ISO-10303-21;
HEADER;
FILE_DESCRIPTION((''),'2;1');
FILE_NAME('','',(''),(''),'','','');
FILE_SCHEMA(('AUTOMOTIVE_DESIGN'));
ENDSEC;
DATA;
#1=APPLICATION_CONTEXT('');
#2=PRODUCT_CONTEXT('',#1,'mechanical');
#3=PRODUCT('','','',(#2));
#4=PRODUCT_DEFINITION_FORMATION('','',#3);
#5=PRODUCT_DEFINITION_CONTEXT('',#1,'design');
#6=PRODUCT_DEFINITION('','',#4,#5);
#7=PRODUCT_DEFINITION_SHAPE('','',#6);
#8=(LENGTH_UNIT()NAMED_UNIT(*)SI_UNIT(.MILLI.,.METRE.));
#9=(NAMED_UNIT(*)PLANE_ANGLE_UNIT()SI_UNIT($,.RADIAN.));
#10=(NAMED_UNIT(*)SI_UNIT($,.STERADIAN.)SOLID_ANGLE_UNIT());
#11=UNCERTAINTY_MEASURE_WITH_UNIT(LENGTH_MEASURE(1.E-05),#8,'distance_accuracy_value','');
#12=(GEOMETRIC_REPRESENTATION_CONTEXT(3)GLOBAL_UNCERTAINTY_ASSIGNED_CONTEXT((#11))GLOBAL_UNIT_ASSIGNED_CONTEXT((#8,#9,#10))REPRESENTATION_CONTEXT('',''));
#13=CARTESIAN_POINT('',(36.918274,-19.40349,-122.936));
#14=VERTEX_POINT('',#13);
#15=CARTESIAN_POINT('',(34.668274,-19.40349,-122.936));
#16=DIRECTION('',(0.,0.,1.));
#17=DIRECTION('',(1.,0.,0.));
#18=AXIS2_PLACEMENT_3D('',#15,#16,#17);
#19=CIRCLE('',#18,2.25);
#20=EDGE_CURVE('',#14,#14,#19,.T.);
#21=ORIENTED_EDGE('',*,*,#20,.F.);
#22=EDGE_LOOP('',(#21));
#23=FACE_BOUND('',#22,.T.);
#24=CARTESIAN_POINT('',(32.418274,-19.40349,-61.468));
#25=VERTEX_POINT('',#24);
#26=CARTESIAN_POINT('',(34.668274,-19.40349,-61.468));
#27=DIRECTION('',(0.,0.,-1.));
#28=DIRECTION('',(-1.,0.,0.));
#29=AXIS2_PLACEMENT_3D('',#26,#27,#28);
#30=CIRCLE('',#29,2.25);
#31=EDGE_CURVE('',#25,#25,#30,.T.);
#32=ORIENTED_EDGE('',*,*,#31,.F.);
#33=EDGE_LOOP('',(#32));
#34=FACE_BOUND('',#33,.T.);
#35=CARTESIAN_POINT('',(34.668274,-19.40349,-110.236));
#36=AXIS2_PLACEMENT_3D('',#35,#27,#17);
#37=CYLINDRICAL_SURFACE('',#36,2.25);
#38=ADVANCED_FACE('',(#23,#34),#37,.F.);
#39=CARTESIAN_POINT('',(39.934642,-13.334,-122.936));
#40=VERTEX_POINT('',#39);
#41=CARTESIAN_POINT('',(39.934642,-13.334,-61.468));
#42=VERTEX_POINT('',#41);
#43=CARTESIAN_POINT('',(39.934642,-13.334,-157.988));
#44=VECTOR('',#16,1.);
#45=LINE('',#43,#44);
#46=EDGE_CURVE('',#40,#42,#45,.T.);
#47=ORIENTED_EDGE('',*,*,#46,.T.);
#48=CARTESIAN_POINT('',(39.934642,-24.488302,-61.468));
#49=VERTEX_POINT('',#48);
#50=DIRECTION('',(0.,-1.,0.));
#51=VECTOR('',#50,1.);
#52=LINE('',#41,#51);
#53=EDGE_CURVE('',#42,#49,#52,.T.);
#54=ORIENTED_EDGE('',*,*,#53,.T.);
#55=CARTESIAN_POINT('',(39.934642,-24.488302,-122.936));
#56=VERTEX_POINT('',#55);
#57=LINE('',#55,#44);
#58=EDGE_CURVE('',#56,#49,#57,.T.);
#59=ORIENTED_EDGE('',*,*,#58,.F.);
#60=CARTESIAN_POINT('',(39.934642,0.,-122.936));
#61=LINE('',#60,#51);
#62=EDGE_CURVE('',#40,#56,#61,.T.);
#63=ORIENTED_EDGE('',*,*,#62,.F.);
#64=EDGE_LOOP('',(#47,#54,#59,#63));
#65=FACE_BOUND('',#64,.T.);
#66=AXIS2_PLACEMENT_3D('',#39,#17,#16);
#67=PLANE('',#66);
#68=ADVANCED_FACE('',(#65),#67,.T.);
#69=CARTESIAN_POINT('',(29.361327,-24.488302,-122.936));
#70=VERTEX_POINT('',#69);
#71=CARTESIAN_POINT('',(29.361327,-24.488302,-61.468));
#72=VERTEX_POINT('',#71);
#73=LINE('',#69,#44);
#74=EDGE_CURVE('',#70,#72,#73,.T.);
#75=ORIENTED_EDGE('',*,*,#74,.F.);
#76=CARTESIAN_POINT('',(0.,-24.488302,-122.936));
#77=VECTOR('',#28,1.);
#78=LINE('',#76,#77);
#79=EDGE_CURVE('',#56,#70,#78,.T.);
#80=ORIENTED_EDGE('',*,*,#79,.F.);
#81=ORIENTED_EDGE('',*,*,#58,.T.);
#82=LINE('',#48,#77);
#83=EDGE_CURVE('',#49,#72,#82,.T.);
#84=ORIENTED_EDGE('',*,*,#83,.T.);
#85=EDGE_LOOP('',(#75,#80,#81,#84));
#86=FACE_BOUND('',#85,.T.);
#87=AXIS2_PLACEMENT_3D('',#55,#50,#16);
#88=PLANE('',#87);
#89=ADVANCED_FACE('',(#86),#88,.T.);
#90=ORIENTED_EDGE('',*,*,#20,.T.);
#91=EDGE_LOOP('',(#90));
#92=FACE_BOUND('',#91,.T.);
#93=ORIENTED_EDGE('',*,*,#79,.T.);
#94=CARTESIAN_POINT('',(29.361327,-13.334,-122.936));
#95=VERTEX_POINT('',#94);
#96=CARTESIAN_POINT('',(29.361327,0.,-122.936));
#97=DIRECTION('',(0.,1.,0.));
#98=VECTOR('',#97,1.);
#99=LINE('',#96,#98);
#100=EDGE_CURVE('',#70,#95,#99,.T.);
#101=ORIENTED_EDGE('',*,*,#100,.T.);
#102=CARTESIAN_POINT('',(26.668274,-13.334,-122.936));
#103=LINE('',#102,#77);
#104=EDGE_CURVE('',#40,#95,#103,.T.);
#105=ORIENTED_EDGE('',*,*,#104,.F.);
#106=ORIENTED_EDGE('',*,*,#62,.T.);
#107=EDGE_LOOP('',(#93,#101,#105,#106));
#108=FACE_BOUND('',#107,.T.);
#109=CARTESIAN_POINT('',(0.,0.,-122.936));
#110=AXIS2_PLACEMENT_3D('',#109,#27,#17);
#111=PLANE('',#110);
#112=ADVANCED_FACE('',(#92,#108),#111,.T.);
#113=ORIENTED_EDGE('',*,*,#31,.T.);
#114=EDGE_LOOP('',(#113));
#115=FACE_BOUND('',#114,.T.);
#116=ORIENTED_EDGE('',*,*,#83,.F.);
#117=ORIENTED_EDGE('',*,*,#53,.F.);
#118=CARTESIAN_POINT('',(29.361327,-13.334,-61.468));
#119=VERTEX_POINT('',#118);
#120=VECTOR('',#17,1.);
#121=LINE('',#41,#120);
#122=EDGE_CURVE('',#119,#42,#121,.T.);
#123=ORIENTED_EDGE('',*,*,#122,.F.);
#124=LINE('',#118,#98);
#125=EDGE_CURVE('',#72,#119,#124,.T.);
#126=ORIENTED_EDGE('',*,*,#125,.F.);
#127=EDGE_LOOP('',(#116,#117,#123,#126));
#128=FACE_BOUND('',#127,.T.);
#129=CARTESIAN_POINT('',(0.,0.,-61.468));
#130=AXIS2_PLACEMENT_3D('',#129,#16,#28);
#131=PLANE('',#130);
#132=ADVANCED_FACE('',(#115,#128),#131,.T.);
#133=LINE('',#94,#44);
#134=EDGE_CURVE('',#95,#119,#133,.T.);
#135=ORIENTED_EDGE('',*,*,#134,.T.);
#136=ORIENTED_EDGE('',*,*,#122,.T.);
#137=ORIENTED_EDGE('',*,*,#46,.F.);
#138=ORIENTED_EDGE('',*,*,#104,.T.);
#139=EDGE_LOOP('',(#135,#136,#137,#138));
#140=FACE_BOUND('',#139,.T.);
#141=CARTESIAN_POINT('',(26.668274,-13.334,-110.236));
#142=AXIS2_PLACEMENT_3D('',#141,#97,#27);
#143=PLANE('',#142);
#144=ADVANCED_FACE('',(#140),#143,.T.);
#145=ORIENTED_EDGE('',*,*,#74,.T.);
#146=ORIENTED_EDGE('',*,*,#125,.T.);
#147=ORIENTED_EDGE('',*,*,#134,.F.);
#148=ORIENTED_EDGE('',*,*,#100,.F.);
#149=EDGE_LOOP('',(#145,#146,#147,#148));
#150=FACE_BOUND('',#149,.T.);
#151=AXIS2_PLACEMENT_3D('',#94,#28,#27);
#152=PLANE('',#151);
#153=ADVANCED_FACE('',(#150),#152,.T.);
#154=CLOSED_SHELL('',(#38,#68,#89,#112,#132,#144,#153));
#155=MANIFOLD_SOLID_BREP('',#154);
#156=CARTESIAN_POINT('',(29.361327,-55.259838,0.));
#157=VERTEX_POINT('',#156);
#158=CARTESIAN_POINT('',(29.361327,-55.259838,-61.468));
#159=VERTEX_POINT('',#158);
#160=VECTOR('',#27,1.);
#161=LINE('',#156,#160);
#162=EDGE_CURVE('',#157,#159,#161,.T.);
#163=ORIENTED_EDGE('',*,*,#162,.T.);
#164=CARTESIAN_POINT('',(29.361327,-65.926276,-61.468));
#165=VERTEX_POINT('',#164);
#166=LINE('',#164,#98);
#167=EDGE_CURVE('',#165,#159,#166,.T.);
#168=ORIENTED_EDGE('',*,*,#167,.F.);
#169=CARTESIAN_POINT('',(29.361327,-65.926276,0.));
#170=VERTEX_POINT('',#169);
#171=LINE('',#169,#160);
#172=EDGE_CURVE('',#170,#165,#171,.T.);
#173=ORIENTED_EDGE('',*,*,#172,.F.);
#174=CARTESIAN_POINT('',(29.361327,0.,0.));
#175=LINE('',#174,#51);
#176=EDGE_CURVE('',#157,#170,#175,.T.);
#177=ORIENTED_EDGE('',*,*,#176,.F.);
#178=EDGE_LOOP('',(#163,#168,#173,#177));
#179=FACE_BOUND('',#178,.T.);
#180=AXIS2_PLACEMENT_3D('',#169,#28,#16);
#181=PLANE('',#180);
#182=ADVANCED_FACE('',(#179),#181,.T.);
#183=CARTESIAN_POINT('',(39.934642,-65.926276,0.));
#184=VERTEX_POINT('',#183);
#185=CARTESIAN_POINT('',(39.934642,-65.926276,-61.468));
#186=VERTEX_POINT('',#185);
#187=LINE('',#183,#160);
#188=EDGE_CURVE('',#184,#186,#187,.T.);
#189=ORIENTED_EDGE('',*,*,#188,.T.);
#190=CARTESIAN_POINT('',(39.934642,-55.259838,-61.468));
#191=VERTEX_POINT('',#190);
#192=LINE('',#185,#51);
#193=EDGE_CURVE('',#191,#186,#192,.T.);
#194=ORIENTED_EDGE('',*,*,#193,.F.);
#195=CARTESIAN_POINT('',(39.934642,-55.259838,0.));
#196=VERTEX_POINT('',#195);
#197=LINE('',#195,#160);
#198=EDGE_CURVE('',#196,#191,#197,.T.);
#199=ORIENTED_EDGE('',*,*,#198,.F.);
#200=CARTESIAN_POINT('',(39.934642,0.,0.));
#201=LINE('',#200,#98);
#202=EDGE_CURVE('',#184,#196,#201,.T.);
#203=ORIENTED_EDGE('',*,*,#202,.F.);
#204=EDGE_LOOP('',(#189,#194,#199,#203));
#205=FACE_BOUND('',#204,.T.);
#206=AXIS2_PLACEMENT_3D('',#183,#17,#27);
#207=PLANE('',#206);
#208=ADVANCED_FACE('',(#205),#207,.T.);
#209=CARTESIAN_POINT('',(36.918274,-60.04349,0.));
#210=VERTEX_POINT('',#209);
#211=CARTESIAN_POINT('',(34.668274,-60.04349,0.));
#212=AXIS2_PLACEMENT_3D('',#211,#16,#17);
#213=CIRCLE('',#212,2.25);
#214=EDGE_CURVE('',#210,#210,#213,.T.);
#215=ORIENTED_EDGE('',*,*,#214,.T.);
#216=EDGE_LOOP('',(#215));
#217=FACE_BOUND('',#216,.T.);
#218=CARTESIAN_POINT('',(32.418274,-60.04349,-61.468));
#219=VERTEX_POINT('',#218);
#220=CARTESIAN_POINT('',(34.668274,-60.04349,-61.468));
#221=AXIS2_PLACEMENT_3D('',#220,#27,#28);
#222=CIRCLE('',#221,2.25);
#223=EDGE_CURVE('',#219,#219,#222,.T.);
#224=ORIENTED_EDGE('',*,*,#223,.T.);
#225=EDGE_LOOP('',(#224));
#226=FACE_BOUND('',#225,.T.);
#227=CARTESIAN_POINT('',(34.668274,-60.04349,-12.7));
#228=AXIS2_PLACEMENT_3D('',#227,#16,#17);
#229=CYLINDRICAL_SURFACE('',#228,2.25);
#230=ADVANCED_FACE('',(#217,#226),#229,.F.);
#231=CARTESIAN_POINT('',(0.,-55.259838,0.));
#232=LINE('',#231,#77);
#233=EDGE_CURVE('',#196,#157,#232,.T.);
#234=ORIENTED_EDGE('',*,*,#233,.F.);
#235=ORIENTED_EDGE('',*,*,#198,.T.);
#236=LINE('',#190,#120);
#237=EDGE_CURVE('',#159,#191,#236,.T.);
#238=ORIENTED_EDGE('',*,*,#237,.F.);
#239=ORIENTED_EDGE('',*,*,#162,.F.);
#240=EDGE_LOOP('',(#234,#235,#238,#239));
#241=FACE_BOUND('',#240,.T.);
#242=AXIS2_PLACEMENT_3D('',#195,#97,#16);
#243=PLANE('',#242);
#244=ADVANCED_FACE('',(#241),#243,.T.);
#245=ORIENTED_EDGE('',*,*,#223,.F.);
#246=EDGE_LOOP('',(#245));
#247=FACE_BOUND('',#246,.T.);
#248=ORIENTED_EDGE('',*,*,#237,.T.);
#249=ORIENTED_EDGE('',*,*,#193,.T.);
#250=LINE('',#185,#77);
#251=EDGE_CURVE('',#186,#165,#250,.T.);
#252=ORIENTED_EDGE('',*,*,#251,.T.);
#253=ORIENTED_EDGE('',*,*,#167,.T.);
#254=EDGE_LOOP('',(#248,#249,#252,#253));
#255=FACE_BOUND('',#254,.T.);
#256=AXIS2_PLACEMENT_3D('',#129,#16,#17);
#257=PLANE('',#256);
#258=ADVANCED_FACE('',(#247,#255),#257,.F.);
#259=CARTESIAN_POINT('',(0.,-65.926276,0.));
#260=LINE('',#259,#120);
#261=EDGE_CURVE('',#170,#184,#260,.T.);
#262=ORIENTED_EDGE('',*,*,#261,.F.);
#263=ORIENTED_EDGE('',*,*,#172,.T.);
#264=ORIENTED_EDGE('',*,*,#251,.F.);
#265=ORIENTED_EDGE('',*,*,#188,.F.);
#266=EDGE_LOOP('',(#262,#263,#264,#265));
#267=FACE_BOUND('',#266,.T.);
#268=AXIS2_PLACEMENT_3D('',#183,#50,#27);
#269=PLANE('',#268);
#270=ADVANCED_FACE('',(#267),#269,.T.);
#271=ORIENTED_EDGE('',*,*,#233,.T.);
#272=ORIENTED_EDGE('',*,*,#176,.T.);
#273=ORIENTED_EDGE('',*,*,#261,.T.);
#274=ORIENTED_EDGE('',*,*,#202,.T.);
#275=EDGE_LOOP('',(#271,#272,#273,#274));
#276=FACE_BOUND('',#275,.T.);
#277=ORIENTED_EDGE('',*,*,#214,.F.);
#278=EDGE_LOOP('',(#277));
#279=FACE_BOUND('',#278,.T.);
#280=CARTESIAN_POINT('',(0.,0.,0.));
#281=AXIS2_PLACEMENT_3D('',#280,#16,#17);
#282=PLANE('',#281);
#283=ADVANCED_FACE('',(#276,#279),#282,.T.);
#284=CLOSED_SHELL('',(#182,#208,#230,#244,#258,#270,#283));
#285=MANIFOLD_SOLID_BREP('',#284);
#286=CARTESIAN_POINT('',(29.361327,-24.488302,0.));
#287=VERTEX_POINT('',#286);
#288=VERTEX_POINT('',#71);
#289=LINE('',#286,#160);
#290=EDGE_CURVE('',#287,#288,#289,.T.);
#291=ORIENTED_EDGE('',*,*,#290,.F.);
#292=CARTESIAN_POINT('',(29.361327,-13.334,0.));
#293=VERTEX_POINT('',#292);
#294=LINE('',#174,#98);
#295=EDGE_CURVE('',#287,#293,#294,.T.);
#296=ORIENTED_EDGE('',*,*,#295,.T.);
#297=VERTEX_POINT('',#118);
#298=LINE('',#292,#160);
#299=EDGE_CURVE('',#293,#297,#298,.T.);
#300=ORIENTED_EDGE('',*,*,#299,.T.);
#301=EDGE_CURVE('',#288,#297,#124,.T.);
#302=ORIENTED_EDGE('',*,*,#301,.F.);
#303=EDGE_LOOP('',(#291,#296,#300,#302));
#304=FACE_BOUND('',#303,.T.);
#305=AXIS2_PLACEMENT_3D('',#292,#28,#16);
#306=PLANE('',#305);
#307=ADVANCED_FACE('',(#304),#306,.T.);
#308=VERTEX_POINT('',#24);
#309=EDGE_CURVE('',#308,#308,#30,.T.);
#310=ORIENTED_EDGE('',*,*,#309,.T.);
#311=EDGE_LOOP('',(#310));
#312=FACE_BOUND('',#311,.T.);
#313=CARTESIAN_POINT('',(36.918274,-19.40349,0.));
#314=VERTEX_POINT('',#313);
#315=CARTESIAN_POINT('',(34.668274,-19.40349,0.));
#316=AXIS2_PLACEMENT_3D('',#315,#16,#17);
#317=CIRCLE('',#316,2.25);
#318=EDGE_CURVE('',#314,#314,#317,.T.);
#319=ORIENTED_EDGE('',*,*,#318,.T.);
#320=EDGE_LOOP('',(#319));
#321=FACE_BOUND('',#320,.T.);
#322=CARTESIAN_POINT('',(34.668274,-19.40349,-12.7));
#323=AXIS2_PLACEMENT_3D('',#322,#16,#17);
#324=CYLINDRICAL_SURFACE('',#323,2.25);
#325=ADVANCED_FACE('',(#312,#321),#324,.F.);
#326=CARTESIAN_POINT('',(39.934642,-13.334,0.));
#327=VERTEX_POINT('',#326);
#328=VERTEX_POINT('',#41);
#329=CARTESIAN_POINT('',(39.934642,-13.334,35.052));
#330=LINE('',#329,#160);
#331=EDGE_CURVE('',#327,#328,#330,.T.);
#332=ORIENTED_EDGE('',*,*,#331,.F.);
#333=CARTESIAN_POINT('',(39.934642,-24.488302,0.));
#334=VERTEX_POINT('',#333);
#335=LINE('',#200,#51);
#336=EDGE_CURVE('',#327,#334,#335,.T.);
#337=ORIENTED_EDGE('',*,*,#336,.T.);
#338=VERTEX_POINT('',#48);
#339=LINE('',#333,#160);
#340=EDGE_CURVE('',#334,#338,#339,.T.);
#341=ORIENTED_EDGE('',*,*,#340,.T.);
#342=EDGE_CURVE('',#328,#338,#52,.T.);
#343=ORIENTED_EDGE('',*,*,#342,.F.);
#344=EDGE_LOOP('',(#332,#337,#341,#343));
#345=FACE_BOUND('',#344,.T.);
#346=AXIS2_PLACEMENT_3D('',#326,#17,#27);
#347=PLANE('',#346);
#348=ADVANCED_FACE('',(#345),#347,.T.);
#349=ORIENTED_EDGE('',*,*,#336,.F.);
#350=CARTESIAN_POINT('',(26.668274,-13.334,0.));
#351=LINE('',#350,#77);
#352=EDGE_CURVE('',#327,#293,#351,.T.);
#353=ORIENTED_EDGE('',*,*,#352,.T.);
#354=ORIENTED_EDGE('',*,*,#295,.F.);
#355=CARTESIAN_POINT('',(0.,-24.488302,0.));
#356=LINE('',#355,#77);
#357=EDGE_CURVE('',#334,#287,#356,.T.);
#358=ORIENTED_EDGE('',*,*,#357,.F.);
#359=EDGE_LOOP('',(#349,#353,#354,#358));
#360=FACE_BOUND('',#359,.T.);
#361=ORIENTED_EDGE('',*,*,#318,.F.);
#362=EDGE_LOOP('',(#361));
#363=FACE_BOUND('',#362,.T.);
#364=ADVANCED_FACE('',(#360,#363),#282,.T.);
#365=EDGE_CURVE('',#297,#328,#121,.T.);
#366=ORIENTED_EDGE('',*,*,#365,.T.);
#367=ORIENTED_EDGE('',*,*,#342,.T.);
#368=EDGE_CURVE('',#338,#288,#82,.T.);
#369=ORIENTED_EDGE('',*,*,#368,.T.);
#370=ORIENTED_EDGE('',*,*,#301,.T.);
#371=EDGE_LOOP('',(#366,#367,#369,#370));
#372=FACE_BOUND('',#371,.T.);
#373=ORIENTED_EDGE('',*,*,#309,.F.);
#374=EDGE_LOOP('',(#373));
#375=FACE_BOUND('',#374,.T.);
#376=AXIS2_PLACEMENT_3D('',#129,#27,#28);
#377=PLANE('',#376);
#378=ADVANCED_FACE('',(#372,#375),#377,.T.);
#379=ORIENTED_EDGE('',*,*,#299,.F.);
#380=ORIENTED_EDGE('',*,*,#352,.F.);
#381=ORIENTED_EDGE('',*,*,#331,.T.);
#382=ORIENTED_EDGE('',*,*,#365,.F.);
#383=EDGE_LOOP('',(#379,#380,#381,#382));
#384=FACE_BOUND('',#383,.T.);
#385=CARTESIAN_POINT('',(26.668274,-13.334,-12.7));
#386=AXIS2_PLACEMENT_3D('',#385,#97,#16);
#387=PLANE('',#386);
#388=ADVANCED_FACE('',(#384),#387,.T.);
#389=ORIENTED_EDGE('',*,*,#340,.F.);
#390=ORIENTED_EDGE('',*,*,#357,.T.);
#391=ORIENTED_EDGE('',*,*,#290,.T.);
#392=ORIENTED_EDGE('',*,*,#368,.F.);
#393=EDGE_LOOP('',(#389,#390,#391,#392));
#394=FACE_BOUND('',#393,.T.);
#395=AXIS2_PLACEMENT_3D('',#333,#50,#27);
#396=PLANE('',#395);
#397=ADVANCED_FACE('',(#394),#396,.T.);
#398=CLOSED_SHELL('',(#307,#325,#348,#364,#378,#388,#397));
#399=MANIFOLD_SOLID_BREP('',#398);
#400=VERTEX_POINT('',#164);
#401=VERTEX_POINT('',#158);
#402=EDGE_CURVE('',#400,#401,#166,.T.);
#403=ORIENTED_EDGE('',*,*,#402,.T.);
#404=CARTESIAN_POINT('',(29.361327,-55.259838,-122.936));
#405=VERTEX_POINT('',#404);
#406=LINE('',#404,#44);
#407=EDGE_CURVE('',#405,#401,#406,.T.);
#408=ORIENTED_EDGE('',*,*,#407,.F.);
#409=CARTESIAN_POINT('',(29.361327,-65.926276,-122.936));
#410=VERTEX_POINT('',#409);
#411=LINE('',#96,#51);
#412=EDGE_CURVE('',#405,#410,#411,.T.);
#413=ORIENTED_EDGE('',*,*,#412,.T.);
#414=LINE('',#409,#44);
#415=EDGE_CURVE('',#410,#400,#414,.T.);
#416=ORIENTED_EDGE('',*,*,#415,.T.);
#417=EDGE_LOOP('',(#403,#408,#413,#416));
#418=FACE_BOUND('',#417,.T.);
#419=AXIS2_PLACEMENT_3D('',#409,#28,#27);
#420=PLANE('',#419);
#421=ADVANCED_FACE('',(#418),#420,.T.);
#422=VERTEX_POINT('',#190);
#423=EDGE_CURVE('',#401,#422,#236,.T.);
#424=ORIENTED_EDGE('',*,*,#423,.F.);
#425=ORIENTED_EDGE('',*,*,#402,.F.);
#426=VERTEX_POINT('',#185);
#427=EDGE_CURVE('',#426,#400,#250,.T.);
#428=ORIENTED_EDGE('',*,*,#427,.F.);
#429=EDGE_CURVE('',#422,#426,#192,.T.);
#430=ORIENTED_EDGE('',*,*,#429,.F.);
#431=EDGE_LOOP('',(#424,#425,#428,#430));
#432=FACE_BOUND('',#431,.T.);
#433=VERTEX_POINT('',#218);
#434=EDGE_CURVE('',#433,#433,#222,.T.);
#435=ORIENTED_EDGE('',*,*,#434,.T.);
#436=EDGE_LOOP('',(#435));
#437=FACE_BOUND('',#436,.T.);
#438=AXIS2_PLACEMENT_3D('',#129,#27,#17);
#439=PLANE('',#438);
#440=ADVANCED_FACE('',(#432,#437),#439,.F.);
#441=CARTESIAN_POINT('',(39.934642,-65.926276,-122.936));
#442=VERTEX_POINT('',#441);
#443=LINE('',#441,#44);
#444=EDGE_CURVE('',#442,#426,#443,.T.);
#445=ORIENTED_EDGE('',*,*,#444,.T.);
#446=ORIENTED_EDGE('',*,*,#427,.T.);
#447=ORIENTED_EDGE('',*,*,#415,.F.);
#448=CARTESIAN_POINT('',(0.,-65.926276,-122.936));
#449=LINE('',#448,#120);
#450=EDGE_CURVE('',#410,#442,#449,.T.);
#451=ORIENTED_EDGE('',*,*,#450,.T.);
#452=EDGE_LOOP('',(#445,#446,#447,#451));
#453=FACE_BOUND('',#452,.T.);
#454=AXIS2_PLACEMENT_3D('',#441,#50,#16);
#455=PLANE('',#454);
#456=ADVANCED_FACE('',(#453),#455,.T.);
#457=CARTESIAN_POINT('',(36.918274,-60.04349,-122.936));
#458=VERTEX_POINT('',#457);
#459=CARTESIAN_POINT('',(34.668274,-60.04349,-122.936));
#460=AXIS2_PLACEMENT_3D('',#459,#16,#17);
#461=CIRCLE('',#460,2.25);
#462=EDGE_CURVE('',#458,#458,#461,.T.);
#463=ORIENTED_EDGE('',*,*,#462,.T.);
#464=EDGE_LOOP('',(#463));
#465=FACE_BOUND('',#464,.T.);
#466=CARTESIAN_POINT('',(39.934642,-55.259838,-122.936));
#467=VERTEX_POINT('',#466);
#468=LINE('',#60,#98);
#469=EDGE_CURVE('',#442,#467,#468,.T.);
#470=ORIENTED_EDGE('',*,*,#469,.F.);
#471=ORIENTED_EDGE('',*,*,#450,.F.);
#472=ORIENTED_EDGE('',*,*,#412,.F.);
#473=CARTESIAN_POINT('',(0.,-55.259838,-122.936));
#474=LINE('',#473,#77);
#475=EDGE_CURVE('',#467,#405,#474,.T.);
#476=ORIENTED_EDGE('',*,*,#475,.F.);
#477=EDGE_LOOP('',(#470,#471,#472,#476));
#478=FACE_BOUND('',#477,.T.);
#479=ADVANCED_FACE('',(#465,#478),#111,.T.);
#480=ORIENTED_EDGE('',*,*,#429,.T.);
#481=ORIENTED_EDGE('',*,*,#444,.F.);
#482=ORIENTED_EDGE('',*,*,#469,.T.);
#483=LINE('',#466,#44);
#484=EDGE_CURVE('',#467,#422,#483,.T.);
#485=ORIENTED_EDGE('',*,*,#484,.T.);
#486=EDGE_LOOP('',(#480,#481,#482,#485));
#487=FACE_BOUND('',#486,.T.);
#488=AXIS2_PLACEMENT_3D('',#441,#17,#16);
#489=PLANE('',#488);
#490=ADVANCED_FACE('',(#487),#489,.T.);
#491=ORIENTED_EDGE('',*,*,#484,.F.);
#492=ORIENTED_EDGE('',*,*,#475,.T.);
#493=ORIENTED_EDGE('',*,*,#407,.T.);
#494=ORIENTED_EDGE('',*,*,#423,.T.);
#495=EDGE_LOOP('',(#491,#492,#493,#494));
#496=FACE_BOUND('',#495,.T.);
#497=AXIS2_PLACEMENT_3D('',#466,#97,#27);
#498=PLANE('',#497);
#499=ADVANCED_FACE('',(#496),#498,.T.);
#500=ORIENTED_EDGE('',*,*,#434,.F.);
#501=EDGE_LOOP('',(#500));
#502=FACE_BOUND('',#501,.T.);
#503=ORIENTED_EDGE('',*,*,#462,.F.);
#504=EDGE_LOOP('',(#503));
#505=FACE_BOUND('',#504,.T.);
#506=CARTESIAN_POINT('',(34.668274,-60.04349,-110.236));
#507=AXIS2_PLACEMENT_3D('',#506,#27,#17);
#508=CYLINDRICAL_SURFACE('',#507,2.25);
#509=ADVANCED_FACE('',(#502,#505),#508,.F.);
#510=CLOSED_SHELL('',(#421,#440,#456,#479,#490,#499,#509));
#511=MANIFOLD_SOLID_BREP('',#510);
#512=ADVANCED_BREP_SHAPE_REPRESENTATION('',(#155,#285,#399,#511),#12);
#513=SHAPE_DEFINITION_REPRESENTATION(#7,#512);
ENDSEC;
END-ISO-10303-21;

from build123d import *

# Parameters (mm, degrees)
SKETCH1_W                = 16
SKETCH1_H                = 57.332
SKETCH1_R                = 2.25
BOSS_EXTRUDE1_DEPTH      = 12.7
BOSS_EXTRUDE3_DEPTH      = 48.768
BOSS_EXTRUDE3_DEPTH_BACK = 12.7
SKETCH4_W                = 10.573315132
SKETCH4_H                = 11.154301746
SKETCH4_R                = 2.25
SKETCH4_H_2              = 10.666438104
SKETCH5_W                = 10.573315132
SKETCH5_H                = 10.666438104
CUT_EXTRUDE1_DEPTH       = 47.752


with BuildPart() as part:
    # Sketch1 → Boss-Extrude1 (new body)
    with BuildSketch(Plane.XY):
        with Locations((34.668274257, -42)):
            Rectangle(SKETCH1_W, SKETCH1_H)
        with Locations((34.668274257, -19.403489859)):
            Circle(SKETCH1_R, mode=Mode.SUBTRACT)
        with Locations((34.668274257, -60.043489859)):
            Circle(SKETCH1_R, mode=Mode.SUBTRACT)
    extrude(amount=-BOSS_EXTRUDE1_DEPTH)

    # Sketch4 → Boss-Extrude3 (add, two sides: drawn at the far end of the back side and taken through both)
    # profile 1 of 2: a face of its own
    with BuildSketch(Plane(origin=(0, 0, -12.7), x_dir=(-1, 0, 0), z_dir=(0, 0, -1)).offset(-BOSS_EXTRUDE3_DEPTH_BACK)):
        with Locations((-34.64798409, -18.911150873)):
            Rectangle(SKETCH4_W, SKETCH4_H)
        with Locations(Location((-34.668274257, -19.403489859, 0), (0, 0, 180))):
            Circle(SKETCH4_R, mode=Mode.SUBTRACT)
    # profile 2 of 2: a face of its own
    with BuildSketch(Plane(origin=(0, 0, -12.7), x_dir=(-1, 0, 0), z_dir=(0, 0, -1)).offset(-BOSS_EXTRUDE3_DEPTH_BACK)):
        with Locations((-34.64798409, -60.593056671)):
            Rectangle(SKETCH4_W, SKETCH4_H_2)
        with Locations(Location((-34.668274257, -60.043489859, 0), (0, 0, 180))):
            Circle(SKETCH4_R, mode=Mode.SUBTRACT)
    extrude(amount=BOSS_EXTRUDE3_DEPTH + BOSS_EXTRUDE3_DEPTH_BACK)

    # Sketch5 → Cut-Extrude1 (cut)
    with BuildSketch(Plane(origin=(0, 0, -12.7), x_dir=(-1, 0, 0), z_dir=(0, 0, -1))):
        Polygon((-39.934641656, -13.334), (-42.668274257, -13.334), (-42.668274257, -70.666), (-26.668274257, -70.666), (-26.668274257, -13.334), (-29.361326524, -13.334), (-29.361326524, -24.488301746), (-39.934641656, -24.488301746), align=None)
        with Locations((-34.64798409, -60.593056671)):
            Rectangle(SKETCH5_W, SKETCH5_H, mode=Mode.SUBTRACT)
    extrude(amount=-CUT_EXTRUDE1_DEPTH, mode=Mode.SUBTRACT)


with BuildPart() as cut_extrude1_piece_1:
    # of the separate pieces the step leaves, piece 1, a body of its own (cut_extrude1_pieces)
    add(part.part.solids().sort_by_distance((29.361326524, -13.334, 0))[0])


with BuildPart() as cut_extrude1_piece_2:
    # of the separate pieces the step leaves, piece 2, a body of its own (cut_extrude1_pieces)
    add(part.part.solids().sort_by_distance((29.361326524, -65.926275723, 0))[0])


with BuildPart() as body_3:
    # Mirror3: mirrored copy
    add(cut_extrude1_piece_2.part.mirror(Plane(origin=(0, 0, -61.468), x_dir=(1, 0, 0), z_dir=(0, 0, -1))))


with BuildPart() as body_4:
    # Mirror3 2: mirrored copy
    add(cut_extrude1_piece_1.part.mirror(Plane(origin=(0, 0, -61.468), x_dir=(1, 0, 0), z_dir=(0, 0, -1))))


solid = Compound([cut_extrude1_piece_1.part, cut_extrude1_piece_2.part, body_3.part, body_4.part])
